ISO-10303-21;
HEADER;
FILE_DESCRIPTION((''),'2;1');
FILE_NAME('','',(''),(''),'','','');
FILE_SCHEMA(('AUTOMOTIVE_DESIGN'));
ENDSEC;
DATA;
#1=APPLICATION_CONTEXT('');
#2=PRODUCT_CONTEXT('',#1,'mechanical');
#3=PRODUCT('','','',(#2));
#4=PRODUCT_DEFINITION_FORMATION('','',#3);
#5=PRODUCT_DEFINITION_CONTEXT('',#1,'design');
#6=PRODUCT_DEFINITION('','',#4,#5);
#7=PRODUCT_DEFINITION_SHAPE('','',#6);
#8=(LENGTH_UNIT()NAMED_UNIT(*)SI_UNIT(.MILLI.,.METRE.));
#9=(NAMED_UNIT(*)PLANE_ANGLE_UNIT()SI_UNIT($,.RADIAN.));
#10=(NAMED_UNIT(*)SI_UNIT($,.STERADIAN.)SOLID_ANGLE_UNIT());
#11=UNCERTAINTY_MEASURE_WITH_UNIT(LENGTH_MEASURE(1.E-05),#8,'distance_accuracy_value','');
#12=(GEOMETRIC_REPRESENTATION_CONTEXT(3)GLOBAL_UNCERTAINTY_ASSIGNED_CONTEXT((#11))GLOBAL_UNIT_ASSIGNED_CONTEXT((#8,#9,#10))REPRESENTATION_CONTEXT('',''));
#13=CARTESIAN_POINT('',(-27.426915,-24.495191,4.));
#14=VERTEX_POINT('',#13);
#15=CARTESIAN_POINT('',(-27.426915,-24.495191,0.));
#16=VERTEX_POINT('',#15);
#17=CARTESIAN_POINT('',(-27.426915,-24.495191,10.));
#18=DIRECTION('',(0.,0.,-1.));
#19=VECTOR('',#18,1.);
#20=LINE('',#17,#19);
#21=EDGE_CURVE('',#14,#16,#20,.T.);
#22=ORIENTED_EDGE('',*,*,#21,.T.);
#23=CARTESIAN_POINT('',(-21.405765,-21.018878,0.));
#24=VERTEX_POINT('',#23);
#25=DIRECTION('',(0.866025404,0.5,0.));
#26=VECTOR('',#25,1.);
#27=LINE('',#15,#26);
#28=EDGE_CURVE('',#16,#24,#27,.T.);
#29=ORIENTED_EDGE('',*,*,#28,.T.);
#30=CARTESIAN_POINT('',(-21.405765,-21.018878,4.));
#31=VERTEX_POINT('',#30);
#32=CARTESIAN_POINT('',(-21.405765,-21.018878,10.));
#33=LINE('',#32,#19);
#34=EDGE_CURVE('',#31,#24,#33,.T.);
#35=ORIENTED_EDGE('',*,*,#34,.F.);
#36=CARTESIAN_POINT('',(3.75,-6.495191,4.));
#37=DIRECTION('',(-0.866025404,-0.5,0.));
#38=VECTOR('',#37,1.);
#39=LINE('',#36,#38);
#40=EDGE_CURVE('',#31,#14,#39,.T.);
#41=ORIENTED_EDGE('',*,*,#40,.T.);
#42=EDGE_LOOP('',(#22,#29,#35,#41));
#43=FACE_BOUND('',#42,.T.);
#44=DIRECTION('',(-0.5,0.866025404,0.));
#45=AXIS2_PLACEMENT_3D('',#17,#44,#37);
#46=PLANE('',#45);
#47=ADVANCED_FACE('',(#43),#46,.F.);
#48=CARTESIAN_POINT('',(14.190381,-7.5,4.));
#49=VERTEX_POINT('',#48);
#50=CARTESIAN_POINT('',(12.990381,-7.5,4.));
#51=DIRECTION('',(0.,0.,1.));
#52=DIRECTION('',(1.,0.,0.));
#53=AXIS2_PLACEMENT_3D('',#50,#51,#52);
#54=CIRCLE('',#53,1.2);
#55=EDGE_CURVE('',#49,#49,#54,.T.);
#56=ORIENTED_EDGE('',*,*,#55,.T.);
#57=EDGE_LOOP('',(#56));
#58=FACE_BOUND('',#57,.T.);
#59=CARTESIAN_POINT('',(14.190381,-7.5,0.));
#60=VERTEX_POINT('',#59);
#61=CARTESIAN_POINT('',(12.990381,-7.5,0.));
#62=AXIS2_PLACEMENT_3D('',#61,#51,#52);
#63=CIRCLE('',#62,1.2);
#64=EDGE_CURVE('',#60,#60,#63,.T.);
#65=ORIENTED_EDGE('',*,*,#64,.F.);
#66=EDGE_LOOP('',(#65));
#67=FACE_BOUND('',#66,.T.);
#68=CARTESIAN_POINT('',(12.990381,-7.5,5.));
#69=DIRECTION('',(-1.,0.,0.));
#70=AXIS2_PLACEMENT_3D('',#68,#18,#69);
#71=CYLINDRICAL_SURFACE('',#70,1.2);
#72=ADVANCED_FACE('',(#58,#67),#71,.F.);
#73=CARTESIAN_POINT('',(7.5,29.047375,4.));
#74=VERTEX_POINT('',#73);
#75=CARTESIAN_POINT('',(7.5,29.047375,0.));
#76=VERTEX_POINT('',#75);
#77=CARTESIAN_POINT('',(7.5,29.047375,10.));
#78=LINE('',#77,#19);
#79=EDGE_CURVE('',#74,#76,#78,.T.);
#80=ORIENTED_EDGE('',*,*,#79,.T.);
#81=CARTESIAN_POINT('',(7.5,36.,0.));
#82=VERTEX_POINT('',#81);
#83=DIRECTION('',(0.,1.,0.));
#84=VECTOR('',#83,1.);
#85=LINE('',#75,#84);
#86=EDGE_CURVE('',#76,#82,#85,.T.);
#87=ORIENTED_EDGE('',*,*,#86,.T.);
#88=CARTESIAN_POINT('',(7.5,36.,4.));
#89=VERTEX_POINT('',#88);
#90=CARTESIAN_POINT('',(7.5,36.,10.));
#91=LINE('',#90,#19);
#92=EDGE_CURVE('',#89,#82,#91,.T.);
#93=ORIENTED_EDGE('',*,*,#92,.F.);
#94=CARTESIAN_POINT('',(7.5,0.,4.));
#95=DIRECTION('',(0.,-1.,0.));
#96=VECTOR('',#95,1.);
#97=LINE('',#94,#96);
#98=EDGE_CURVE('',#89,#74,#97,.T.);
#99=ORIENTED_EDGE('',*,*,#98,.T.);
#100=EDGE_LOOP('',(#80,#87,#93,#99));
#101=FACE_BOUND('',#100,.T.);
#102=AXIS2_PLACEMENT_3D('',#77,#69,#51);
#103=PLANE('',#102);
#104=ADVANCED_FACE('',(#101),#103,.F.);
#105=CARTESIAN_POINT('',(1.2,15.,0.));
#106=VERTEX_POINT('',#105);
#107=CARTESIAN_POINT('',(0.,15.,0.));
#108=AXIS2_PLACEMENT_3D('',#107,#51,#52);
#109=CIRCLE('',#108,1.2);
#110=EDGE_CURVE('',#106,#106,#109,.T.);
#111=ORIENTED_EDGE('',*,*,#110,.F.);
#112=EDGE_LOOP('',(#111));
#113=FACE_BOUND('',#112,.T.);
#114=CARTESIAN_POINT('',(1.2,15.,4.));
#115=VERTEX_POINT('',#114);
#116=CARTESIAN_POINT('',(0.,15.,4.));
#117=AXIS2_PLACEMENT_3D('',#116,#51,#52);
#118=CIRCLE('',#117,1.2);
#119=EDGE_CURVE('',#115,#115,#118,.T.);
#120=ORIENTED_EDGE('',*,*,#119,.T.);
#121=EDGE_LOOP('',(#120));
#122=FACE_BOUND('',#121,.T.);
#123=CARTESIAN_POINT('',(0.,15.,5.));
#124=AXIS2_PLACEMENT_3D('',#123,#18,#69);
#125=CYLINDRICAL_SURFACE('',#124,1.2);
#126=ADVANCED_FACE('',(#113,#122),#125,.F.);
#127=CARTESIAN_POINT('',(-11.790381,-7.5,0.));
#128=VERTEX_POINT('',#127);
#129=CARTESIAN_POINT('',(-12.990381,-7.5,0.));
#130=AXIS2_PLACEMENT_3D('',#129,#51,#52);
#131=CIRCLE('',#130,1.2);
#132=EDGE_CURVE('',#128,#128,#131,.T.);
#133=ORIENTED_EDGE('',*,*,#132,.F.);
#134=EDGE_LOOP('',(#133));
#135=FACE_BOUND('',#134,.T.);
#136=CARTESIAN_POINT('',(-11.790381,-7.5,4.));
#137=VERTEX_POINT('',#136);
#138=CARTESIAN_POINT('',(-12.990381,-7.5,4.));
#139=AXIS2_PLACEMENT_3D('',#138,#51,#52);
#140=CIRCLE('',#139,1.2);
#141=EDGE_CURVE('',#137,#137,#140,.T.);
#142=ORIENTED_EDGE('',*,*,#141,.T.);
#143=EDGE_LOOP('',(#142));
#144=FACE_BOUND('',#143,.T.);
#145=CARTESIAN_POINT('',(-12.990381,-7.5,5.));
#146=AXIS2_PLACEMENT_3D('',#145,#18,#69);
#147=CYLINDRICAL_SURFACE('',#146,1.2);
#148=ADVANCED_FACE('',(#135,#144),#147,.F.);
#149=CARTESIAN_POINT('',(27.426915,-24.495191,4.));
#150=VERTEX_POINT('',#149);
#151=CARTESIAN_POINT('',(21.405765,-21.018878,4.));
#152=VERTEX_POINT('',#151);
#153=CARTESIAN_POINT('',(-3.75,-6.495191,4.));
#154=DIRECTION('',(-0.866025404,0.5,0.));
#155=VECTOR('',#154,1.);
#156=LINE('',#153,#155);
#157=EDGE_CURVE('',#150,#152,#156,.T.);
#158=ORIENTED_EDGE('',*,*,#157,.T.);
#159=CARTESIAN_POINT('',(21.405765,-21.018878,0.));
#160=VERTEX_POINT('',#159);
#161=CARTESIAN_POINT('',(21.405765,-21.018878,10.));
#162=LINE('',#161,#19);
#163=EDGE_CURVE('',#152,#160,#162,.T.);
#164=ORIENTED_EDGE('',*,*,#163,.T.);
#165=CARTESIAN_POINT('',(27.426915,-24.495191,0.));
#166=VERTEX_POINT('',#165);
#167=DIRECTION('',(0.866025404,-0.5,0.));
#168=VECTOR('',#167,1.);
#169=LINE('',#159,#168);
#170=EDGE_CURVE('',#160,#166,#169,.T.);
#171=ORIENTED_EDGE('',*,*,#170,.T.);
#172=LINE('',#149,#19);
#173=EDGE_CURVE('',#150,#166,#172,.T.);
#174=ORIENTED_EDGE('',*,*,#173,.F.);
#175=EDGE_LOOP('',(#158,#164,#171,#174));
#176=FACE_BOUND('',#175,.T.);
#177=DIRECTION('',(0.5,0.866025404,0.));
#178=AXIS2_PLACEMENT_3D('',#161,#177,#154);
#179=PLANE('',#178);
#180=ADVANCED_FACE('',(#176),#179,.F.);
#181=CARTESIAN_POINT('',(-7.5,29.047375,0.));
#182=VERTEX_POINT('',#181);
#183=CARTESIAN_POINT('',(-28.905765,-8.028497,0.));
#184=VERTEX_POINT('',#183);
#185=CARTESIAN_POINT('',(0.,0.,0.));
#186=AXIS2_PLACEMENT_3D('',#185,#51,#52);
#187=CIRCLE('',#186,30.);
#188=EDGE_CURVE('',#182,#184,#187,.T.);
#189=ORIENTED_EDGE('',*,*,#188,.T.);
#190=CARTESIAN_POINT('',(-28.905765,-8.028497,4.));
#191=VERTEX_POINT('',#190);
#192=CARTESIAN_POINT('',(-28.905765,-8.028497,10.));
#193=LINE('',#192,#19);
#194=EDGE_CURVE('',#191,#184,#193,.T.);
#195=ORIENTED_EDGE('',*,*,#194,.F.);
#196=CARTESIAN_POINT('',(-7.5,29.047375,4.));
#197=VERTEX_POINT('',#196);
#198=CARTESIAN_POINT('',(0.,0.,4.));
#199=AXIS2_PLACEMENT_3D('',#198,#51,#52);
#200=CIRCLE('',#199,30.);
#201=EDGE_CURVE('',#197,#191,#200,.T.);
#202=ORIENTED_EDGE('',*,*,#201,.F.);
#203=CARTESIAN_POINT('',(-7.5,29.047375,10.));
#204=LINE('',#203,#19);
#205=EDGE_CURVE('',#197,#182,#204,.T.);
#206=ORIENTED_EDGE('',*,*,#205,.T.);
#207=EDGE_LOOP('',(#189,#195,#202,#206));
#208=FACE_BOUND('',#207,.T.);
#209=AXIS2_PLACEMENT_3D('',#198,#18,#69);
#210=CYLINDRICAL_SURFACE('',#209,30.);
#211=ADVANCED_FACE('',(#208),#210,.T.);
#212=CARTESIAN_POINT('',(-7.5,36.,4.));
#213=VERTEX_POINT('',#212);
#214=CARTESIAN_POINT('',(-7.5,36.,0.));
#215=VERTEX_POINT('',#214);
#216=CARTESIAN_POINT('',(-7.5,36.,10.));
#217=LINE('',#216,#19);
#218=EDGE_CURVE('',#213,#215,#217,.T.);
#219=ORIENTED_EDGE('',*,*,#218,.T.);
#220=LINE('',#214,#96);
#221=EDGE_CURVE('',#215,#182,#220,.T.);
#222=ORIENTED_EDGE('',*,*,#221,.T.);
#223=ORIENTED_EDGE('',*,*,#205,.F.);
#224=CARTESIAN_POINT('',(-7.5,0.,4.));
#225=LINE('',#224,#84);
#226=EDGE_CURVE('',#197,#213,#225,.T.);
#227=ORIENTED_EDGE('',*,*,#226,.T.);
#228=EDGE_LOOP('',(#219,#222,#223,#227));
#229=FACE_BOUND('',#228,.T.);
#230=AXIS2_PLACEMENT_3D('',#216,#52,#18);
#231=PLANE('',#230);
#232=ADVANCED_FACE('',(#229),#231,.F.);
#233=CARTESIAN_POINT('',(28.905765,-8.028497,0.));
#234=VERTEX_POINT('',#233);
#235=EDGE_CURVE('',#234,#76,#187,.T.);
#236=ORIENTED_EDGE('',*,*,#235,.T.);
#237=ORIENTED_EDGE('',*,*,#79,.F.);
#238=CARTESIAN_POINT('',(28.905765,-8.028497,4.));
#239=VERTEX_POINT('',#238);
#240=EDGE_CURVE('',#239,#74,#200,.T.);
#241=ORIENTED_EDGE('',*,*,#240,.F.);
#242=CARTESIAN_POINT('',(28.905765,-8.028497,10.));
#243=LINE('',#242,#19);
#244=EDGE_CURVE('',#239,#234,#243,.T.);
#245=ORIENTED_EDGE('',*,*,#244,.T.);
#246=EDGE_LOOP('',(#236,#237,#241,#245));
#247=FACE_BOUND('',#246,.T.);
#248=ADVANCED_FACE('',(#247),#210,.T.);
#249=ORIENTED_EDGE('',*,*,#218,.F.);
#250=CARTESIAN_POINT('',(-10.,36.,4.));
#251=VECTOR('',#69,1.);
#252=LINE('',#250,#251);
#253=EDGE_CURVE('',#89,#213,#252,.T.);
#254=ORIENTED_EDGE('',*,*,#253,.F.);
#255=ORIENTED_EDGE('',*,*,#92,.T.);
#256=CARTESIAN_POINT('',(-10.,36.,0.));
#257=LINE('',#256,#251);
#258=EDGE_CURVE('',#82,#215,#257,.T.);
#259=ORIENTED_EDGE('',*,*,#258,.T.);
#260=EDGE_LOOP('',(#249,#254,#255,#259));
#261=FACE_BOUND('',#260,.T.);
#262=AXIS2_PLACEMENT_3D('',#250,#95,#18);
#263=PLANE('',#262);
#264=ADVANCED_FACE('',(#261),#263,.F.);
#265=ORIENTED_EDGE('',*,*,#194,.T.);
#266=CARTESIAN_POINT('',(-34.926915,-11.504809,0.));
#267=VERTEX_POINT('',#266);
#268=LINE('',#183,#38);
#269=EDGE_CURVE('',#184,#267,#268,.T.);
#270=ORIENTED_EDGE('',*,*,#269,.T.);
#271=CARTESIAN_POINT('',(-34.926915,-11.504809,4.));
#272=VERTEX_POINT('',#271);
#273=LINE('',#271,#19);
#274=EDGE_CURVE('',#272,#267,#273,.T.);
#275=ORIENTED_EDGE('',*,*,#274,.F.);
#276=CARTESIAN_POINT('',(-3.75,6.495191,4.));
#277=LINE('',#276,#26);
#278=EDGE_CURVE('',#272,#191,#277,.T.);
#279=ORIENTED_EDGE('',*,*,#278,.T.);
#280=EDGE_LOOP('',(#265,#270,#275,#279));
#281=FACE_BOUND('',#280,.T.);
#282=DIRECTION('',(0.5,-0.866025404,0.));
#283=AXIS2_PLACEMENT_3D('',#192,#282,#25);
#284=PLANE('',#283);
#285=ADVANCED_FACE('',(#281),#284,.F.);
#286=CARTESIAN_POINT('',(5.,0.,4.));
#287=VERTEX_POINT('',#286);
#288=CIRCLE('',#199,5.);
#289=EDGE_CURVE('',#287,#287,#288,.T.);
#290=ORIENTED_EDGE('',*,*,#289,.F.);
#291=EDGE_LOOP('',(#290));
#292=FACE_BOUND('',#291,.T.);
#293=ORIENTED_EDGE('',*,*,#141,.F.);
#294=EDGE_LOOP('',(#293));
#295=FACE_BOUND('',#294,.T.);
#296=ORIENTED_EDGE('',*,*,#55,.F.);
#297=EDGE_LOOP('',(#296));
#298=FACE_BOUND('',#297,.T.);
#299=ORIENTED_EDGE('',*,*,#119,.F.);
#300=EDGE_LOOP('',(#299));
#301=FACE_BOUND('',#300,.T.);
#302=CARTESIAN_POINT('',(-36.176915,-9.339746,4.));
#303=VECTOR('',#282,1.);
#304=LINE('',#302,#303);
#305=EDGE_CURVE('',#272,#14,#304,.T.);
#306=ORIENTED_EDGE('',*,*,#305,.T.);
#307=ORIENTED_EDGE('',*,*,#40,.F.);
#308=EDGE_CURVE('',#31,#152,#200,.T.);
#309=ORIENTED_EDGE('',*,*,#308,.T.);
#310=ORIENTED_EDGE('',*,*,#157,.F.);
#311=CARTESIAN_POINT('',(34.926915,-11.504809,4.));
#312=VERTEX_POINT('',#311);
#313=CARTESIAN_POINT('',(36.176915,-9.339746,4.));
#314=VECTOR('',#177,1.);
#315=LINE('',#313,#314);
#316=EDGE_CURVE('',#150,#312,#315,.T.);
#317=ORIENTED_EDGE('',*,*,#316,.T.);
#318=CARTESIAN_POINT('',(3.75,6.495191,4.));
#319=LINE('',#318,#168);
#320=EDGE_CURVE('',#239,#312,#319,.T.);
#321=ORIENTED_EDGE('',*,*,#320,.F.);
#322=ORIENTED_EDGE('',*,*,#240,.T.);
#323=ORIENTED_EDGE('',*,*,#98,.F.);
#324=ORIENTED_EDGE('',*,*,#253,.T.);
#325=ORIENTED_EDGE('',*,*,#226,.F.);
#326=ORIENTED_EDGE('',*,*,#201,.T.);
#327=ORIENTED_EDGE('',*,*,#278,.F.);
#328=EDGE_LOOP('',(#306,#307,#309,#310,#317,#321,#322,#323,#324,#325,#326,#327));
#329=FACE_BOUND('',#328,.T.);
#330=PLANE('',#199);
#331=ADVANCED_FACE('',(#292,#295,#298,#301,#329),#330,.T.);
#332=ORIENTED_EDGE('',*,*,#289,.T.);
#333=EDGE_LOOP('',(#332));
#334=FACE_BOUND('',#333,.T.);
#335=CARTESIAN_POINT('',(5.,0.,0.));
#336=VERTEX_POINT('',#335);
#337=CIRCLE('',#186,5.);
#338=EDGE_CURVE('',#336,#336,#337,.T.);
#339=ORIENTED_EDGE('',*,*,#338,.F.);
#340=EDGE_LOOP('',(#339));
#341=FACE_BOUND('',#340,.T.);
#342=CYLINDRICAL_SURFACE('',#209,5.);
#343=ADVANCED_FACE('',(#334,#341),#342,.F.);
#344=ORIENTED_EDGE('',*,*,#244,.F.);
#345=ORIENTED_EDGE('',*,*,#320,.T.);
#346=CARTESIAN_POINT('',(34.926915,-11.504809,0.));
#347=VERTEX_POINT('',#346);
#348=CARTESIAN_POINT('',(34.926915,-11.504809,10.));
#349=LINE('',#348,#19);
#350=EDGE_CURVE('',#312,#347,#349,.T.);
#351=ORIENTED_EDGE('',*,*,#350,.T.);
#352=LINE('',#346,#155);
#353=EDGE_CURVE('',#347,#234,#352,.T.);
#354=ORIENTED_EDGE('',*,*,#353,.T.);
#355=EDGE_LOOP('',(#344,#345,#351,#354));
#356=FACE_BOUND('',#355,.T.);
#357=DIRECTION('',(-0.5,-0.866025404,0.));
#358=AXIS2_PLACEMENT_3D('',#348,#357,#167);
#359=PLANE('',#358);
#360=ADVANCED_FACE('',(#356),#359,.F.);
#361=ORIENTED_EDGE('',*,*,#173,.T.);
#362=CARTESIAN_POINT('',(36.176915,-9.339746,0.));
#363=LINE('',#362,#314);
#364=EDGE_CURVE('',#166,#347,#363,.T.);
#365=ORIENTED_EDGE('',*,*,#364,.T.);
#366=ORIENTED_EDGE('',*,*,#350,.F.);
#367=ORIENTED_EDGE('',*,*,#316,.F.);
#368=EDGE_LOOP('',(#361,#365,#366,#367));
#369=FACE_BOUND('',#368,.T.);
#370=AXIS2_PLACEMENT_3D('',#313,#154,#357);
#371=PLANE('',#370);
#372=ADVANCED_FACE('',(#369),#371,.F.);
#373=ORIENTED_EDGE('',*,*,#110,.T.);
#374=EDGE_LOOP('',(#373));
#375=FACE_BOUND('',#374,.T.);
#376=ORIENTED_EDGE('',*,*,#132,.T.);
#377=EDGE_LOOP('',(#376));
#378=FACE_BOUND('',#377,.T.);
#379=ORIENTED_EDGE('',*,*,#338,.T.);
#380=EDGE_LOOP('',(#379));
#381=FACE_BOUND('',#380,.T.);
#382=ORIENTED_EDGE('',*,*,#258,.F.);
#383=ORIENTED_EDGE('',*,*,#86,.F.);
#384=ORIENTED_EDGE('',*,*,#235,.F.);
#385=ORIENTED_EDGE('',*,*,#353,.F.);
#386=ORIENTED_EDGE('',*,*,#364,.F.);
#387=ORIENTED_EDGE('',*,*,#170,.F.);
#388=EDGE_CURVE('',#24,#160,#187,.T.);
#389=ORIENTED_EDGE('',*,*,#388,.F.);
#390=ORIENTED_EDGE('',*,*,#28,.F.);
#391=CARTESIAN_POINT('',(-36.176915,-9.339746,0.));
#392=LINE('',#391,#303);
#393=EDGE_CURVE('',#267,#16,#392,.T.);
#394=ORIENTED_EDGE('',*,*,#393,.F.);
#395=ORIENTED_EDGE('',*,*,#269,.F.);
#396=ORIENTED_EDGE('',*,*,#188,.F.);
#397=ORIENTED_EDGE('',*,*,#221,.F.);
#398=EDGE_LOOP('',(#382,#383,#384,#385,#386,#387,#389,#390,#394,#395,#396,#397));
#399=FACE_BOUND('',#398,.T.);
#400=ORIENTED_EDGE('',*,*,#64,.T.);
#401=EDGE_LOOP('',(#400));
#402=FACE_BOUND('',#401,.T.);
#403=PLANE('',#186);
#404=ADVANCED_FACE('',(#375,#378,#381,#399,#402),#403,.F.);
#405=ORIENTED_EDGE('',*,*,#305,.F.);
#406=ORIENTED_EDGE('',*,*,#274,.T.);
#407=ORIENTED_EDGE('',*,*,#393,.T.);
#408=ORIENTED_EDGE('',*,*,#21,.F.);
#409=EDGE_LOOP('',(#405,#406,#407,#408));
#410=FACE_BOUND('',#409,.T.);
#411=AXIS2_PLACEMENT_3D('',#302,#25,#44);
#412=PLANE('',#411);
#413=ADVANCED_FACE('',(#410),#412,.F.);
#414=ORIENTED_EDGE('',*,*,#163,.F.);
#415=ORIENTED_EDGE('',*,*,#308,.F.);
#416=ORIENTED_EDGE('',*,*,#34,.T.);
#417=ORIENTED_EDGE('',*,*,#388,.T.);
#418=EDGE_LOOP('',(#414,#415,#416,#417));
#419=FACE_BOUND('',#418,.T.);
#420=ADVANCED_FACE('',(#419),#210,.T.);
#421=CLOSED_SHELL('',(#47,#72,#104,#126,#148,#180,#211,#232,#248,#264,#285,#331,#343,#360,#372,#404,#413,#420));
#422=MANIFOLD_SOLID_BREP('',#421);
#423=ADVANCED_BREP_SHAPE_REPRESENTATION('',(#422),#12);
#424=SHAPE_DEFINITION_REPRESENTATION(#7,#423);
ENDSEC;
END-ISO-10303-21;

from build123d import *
from build123d.topology import SkipClean

# Parameters (mm, degrees)
SKETCH_1_R          = 5
EXTRUDE_1_DEPTH     = 4
CUT_EXTRUDE_1_DEPTH = 10
SKETCH_3_R          = 1.2
CUT_EXTRUDE_2_DEPTH = 5


with BuildPart() as part:
    # 草图1 → 凸台-拉伸1 (new body)
    with BuildSketch(Plane.XY):
        with BuildLine():
            Line((10, 28.284271247), (10, 36))
            Line((10, 36), (-10, 36))
            Line((-10, 36), (-10, 28.284271247))
            ThreePointArc((-10, 28.284271247), (-25.980762114, 15), (-29.494897428, -5.481881586))
            Line((-29.494897428, -5.481881586), (-36.176914536, -9.339745962))
            Line((-36.176914536, -9.339745962), (-26.176914536, -26.660254038))
            Line((-26.176914536, -26.660254038), (-19.494897428, -22.802389662))
            ThreePointArc((-19.494897428, -22.802389662), (0, -30), (19.494897428, -22.802389662))
            Line((19.494897428, -22.802389662), (26.176914536, -26.660254038))
            Line((26.176914536, -26.660254038), (36.176914536, -9.339745962))
            Line((36.176914536, -9.339745962), (29.494897428, -5.481881586))
            ThreePointArc((29.494897428, -5.481881586), (25.980762114, 15), (10, 28.284271247))
        make_face()
        Circle(SKETCH_1_R, mode=Mode.SUBTRACT)
    extrude(amount=EXTRUDE_1_DEPTH)

    # 草图2 → 切除-拉伸1 (cut)
    with SkipClean():  # the faces are left unmerged after this step: merging them gives an invalid solid
        with BuildSketch(Plane(origin=(0, 0, 0), x_dir=(-1, 0, 0), z_dir=(0, 0, -1))):
            with BuildLine():
                Line((-7.5, 29.047375097), (-7.5, 36))
                Line((-7.5, 36), (-10, 36))
                Line((-10, 36), (-10, 28.284271247))
                ThreePointArc((-10, 28.284271247), (-8.758315013, 28.693063938), (-7.5, 29.047375097))
            make_face()
            with BuildLine():
                Line((7.5, 36), (7.5, 29.047375097))
                ThreePointArc((7.5, 29.047375097), (8.758315013, 28.693063938), (10, 28.284271247))
                Line((10, 28.284271247), (10, 36))
                Line((10, 36), (7.5, 36))
            make_face()
            with BuildLine():
                Line((-34.926914536, -11.504809472), (-28.905764747, -8.02849702))
                ThreePointArc((-28.905764747, -8.02849702), (-29.228079789, -6.761608673), (-29.494897428, -5.481881586))
                Line((-29.494897428, -5.481881586), (-36.176914536, -9.339745962))
                Line((-36.176914536, -9.339745962), (-34.926914536, -11.504809472))
            make_face()
            with BuildLine():
                Line((-26.176914536, -26.660254038), (-27.426914536, -24.495190528))
                Line((-27.426914536, -24.495190528), (-21.405764747, -21.018878077))
                ThreePointArc((-21.405764747, -21.018878077), (-20.469764776, -21.931455265), (-19.494897428, -22.802389662))
                Line((-19.494897428, -22.802389662), (-26.176914536, -26.660254038))
            make_face()
            with BuildLine():
                Line((36.176914536, -9.339745962), (34.926914536, -11.504809472))
                Line((34.926914536, -11.504809472), (28.905764747, -8.02849702))
                ThreePointArc((28.905764747, -8.02849702), (29.228079789, -6.761608673), (29.494897428, -5.481881586))
                Line((29.494897428, -5.481881586), (36.176914536, -9.339745962))
            make_face()
            with BuildLine():
                Line((27.426914536, -24.495190528), (21.405764747, -21.018878077))
                ThreePointArc((21.405764747, -21.018878077), (20.469764776, -21.931455265), (19.494897428, -22.802389662))
                Line((19.494897428, -22.802389662), (26.176914536, -26.660254038))
                Line((26.176914536, -26.660254038), (27.426914536, -24.495190528))
            make_face()
        extrude(amount=-CUT_EXTRUDE_1_DEPTH, mode=Mode.SUBTRACT)

    # 草图3 → 切除-拉伸2 (cut, symmetric)
    with SkipClean():  # the faces are left unmerged after this step: merging them gives an invalid solid
        with BuildSketch(Plane(origin=(0, 0, 0), x_dir=(-1, 0, 0), z_dir=(0, 0, -1))):
            with Locations(Location((0, 15, 0), (0, 0, 180))):
                Circle(SKETCH_3_R)
            with Locations(Location((12.990381057, -7.5, 0), (0, 0, 180))):
                Circle(SKETCH_3_R)
            with Locations(Location((-12.990381057, -7.5, 0), (0, 0, 180))):
                Circle(SKETCH_3_R)
        extrude(amount=CUT_EXTRUDE_2_DEPTH, both=True, mode=Mode.SUBTRACT)


solid = part.part
